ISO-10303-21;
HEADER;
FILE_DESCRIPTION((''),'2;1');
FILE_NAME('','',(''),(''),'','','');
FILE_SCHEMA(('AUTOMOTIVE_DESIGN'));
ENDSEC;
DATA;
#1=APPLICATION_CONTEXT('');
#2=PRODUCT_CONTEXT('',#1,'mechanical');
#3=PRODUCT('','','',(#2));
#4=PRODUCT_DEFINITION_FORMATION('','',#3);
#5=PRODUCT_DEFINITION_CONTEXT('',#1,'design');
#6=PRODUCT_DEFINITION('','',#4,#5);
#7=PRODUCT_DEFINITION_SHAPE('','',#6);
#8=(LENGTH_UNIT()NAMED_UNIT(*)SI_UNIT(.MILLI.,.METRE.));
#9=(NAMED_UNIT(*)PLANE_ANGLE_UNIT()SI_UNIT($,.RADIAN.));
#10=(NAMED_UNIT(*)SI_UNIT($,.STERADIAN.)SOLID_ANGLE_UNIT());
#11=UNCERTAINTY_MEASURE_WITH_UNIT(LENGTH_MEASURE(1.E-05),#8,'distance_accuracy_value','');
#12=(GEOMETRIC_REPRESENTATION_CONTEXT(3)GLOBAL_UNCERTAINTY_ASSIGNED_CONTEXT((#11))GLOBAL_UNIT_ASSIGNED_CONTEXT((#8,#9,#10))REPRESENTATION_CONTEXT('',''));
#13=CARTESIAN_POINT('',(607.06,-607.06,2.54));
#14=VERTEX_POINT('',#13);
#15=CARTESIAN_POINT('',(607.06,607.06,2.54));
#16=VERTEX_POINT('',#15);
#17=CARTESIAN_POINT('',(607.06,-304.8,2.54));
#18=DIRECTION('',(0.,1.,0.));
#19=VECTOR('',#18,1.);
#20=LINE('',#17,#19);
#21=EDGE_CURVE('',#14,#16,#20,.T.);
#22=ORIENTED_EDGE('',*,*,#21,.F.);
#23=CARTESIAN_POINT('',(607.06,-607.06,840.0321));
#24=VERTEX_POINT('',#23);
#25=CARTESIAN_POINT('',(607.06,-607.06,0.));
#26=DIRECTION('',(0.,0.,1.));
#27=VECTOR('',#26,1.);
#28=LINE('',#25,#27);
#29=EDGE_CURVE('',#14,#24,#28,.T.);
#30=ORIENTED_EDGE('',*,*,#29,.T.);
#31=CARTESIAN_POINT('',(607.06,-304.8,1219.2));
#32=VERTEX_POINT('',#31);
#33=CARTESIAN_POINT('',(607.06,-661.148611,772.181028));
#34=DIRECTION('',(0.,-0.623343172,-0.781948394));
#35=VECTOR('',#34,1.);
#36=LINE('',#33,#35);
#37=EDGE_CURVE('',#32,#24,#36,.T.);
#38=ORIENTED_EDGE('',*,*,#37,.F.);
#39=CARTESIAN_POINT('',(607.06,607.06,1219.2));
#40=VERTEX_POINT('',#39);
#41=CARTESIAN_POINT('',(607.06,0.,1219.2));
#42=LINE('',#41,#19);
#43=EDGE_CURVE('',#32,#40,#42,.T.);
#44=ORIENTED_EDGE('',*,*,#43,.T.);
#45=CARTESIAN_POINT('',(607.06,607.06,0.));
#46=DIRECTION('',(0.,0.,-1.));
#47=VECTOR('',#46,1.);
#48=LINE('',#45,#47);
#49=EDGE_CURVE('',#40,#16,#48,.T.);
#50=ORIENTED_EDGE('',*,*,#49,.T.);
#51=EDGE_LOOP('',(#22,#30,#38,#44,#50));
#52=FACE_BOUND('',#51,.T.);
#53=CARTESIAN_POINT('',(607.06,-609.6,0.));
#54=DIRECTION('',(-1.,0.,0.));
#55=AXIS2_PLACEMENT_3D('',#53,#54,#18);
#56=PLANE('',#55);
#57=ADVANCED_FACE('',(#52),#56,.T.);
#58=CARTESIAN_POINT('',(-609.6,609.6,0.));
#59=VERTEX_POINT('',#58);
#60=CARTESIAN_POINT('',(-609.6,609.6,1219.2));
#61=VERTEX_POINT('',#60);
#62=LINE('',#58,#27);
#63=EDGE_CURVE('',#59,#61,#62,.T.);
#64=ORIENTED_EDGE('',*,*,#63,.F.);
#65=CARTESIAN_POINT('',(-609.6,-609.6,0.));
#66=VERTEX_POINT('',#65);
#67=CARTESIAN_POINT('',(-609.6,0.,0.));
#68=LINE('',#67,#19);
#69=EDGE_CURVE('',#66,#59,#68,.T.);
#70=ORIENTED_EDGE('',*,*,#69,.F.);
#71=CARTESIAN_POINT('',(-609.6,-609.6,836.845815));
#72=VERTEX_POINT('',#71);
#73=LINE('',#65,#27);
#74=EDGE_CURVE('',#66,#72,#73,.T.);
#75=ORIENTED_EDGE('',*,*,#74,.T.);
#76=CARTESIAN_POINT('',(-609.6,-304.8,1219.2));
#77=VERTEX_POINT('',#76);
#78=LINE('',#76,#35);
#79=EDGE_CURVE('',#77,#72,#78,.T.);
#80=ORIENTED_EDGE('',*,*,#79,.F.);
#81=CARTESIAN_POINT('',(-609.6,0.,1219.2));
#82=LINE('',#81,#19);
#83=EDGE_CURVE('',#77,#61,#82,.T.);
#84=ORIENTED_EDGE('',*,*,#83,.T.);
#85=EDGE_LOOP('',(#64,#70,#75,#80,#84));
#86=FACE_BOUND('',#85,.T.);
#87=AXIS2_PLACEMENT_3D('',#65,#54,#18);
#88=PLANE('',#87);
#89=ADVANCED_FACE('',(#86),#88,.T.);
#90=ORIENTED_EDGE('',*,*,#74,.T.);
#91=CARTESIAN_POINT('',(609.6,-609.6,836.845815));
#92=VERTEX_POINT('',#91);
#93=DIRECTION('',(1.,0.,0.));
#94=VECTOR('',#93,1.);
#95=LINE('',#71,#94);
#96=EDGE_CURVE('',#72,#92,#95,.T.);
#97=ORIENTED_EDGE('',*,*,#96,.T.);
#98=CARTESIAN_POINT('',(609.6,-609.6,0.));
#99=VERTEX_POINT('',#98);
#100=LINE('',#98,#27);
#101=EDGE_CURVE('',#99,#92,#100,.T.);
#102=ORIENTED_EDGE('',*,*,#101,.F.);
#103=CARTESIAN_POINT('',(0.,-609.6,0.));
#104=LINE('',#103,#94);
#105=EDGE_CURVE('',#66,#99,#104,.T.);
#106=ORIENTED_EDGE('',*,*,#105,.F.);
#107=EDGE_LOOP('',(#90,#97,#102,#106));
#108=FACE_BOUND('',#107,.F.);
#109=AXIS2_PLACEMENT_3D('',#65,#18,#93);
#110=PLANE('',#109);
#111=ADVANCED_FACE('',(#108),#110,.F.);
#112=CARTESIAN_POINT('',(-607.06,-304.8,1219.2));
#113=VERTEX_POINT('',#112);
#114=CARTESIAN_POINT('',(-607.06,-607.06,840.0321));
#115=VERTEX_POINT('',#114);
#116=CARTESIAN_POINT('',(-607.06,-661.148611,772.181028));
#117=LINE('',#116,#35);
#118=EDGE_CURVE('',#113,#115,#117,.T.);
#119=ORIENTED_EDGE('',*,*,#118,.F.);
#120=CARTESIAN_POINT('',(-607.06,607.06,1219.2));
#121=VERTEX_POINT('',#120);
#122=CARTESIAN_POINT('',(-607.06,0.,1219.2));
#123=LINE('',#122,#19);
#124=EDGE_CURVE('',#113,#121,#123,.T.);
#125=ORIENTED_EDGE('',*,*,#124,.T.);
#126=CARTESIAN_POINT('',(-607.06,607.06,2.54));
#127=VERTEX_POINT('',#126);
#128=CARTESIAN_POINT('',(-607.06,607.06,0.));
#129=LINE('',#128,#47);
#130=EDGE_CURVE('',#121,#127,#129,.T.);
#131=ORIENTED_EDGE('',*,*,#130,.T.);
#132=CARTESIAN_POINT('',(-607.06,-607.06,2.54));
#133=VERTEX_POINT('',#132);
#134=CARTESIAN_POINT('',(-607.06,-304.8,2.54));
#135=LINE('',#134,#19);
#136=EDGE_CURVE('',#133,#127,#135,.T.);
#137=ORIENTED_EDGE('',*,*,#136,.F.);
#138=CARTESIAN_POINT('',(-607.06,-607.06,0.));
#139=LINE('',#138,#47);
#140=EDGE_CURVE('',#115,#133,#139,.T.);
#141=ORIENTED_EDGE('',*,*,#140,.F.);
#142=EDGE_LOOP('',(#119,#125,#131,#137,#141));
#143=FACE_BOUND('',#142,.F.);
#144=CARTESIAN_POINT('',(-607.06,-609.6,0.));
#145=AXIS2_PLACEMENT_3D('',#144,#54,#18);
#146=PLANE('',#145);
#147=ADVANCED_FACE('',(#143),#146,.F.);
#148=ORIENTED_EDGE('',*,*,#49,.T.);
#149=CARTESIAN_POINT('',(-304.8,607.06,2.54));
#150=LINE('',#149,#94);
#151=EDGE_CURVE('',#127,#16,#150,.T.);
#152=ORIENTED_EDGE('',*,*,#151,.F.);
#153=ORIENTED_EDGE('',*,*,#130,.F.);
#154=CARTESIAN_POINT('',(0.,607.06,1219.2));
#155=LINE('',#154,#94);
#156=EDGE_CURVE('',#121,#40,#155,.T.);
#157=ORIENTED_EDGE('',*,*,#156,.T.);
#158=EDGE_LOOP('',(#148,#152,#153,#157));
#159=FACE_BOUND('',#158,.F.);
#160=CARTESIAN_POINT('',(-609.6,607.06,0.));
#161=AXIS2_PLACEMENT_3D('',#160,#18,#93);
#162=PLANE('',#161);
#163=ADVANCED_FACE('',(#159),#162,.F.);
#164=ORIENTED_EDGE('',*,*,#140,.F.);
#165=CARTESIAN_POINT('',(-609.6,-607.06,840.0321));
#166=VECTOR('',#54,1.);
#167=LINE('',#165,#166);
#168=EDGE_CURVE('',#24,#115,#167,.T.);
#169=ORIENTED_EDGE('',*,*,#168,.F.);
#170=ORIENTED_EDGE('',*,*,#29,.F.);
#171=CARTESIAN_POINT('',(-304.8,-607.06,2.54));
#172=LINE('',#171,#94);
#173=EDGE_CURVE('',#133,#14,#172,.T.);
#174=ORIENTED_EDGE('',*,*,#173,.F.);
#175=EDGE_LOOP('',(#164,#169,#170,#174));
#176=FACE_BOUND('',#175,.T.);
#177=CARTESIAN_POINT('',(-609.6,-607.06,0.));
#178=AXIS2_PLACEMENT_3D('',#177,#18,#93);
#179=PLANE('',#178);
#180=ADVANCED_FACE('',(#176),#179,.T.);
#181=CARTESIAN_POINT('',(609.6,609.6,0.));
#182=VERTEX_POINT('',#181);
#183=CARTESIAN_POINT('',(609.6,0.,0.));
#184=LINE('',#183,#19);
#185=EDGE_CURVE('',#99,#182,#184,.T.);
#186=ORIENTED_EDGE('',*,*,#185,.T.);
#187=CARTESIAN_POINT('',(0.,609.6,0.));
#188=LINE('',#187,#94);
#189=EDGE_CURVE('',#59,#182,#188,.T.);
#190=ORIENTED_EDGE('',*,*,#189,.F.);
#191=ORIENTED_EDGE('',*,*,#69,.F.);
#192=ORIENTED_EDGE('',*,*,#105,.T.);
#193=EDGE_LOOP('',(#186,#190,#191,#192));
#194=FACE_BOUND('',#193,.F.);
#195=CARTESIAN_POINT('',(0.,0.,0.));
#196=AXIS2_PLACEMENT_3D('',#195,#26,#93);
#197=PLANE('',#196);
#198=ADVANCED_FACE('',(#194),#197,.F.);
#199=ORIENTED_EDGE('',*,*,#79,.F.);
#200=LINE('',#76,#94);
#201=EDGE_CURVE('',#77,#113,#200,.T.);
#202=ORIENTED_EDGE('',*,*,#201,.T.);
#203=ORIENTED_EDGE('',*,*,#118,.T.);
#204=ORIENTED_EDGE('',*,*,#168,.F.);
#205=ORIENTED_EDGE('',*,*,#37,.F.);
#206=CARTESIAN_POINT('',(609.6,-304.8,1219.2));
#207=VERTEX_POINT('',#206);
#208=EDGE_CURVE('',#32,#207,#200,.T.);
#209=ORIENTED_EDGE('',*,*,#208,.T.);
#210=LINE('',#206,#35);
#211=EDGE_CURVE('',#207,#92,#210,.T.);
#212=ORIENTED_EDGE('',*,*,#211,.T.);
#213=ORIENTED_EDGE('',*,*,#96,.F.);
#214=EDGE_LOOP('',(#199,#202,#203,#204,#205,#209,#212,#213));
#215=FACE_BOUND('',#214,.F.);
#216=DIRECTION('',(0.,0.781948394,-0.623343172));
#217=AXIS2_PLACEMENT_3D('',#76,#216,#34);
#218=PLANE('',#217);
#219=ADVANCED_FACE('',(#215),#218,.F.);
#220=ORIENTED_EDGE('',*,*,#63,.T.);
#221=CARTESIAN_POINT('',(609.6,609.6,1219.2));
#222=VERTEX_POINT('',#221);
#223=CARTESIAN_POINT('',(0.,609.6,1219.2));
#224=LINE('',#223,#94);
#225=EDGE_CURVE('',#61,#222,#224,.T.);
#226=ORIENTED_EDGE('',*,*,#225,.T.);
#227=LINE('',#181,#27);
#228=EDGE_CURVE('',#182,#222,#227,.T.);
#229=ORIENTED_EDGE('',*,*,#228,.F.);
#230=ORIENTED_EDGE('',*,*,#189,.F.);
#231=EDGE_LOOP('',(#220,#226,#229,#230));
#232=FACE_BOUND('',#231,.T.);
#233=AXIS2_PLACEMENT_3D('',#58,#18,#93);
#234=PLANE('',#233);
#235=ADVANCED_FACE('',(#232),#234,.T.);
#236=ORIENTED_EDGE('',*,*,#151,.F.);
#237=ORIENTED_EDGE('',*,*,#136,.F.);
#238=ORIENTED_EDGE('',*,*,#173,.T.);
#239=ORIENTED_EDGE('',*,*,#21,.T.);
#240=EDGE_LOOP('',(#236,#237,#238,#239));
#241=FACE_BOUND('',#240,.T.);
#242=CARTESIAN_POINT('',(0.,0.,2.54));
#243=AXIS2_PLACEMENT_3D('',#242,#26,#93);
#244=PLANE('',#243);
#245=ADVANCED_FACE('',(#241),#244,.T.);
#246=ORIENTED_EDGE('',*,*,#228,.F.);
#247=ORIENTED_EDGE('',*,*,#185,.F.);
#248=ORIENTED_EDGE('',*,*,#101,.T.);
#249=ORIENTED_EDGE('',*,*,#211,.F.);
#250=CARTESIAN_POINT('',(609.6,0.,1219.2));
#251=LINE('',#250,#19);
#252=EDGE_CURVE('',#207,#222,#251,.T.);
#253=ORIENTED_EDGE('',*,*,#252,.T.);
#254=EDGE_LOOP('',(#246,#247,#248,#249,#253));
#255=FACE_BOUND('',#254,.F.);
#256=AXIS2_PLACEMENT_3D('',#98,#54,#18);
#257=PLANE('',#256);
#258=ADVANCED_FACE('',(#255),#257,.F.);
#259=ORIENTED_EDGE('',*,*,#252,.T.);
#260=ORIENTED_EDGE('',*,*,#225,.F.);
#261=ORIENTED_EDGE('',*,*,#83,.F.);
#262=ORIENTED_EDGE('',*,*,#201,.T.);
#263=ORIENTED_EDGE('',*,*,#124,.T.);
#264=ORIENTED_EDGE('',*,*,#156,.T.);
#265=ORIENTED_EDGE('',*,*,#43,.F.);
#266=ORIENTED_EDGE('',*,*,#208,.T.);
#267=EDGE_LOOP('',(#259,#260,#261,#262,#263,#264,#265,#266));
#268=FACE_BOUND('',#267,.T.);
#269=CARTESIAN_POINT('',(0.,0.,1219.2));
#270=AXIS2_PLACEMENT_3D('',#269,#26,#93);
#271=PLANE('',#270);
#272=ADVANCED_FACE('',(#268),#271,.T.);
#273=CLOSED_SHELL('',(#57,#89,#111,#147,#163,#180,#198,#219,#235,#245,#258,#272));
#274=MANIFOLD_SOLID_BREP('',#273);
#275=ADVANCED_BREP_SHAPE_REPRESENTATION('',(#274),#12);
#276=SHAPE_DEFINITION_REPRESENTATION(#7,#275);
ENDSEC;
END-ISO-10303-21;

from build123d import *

# Parameters (mm, degrees)
F0_W     = 1219.2
F0_H     = 1219.2
F1_DEPTH = 1219.2
F2_T     = -2.54
F4_DEPTH = 1219.2


with BuildPart() as f1:
    # F0 (on Top) → F1 (new body)
    with BuildSketch(Plane.XY):
        Rectangle(F0_W, F0_H)
    extrude(amount=F1_DEPTH)

    # F2
    f2_openings = [f1.faces().sort_by_distance(p)[0] for p in [
        (0, 0, 1219.2),
    ]]
    offset(amount=F2_T, openings=f2_openings)

    # F3 (on face) → F4 (cut)
    with BuildSketch(Plane(origin=(-609.6, 0, 0), x_dir=(0, -1, 0), z_dir=(-1, 0, 0))):
        Polygon((609.6, 836.845815), (609.6, 1219.2), (304.8, 1219.2), align=None)
    extrude(amount=-F4_DEPTH, mode=Mode.SUBTRACT)


solid = f1.part
